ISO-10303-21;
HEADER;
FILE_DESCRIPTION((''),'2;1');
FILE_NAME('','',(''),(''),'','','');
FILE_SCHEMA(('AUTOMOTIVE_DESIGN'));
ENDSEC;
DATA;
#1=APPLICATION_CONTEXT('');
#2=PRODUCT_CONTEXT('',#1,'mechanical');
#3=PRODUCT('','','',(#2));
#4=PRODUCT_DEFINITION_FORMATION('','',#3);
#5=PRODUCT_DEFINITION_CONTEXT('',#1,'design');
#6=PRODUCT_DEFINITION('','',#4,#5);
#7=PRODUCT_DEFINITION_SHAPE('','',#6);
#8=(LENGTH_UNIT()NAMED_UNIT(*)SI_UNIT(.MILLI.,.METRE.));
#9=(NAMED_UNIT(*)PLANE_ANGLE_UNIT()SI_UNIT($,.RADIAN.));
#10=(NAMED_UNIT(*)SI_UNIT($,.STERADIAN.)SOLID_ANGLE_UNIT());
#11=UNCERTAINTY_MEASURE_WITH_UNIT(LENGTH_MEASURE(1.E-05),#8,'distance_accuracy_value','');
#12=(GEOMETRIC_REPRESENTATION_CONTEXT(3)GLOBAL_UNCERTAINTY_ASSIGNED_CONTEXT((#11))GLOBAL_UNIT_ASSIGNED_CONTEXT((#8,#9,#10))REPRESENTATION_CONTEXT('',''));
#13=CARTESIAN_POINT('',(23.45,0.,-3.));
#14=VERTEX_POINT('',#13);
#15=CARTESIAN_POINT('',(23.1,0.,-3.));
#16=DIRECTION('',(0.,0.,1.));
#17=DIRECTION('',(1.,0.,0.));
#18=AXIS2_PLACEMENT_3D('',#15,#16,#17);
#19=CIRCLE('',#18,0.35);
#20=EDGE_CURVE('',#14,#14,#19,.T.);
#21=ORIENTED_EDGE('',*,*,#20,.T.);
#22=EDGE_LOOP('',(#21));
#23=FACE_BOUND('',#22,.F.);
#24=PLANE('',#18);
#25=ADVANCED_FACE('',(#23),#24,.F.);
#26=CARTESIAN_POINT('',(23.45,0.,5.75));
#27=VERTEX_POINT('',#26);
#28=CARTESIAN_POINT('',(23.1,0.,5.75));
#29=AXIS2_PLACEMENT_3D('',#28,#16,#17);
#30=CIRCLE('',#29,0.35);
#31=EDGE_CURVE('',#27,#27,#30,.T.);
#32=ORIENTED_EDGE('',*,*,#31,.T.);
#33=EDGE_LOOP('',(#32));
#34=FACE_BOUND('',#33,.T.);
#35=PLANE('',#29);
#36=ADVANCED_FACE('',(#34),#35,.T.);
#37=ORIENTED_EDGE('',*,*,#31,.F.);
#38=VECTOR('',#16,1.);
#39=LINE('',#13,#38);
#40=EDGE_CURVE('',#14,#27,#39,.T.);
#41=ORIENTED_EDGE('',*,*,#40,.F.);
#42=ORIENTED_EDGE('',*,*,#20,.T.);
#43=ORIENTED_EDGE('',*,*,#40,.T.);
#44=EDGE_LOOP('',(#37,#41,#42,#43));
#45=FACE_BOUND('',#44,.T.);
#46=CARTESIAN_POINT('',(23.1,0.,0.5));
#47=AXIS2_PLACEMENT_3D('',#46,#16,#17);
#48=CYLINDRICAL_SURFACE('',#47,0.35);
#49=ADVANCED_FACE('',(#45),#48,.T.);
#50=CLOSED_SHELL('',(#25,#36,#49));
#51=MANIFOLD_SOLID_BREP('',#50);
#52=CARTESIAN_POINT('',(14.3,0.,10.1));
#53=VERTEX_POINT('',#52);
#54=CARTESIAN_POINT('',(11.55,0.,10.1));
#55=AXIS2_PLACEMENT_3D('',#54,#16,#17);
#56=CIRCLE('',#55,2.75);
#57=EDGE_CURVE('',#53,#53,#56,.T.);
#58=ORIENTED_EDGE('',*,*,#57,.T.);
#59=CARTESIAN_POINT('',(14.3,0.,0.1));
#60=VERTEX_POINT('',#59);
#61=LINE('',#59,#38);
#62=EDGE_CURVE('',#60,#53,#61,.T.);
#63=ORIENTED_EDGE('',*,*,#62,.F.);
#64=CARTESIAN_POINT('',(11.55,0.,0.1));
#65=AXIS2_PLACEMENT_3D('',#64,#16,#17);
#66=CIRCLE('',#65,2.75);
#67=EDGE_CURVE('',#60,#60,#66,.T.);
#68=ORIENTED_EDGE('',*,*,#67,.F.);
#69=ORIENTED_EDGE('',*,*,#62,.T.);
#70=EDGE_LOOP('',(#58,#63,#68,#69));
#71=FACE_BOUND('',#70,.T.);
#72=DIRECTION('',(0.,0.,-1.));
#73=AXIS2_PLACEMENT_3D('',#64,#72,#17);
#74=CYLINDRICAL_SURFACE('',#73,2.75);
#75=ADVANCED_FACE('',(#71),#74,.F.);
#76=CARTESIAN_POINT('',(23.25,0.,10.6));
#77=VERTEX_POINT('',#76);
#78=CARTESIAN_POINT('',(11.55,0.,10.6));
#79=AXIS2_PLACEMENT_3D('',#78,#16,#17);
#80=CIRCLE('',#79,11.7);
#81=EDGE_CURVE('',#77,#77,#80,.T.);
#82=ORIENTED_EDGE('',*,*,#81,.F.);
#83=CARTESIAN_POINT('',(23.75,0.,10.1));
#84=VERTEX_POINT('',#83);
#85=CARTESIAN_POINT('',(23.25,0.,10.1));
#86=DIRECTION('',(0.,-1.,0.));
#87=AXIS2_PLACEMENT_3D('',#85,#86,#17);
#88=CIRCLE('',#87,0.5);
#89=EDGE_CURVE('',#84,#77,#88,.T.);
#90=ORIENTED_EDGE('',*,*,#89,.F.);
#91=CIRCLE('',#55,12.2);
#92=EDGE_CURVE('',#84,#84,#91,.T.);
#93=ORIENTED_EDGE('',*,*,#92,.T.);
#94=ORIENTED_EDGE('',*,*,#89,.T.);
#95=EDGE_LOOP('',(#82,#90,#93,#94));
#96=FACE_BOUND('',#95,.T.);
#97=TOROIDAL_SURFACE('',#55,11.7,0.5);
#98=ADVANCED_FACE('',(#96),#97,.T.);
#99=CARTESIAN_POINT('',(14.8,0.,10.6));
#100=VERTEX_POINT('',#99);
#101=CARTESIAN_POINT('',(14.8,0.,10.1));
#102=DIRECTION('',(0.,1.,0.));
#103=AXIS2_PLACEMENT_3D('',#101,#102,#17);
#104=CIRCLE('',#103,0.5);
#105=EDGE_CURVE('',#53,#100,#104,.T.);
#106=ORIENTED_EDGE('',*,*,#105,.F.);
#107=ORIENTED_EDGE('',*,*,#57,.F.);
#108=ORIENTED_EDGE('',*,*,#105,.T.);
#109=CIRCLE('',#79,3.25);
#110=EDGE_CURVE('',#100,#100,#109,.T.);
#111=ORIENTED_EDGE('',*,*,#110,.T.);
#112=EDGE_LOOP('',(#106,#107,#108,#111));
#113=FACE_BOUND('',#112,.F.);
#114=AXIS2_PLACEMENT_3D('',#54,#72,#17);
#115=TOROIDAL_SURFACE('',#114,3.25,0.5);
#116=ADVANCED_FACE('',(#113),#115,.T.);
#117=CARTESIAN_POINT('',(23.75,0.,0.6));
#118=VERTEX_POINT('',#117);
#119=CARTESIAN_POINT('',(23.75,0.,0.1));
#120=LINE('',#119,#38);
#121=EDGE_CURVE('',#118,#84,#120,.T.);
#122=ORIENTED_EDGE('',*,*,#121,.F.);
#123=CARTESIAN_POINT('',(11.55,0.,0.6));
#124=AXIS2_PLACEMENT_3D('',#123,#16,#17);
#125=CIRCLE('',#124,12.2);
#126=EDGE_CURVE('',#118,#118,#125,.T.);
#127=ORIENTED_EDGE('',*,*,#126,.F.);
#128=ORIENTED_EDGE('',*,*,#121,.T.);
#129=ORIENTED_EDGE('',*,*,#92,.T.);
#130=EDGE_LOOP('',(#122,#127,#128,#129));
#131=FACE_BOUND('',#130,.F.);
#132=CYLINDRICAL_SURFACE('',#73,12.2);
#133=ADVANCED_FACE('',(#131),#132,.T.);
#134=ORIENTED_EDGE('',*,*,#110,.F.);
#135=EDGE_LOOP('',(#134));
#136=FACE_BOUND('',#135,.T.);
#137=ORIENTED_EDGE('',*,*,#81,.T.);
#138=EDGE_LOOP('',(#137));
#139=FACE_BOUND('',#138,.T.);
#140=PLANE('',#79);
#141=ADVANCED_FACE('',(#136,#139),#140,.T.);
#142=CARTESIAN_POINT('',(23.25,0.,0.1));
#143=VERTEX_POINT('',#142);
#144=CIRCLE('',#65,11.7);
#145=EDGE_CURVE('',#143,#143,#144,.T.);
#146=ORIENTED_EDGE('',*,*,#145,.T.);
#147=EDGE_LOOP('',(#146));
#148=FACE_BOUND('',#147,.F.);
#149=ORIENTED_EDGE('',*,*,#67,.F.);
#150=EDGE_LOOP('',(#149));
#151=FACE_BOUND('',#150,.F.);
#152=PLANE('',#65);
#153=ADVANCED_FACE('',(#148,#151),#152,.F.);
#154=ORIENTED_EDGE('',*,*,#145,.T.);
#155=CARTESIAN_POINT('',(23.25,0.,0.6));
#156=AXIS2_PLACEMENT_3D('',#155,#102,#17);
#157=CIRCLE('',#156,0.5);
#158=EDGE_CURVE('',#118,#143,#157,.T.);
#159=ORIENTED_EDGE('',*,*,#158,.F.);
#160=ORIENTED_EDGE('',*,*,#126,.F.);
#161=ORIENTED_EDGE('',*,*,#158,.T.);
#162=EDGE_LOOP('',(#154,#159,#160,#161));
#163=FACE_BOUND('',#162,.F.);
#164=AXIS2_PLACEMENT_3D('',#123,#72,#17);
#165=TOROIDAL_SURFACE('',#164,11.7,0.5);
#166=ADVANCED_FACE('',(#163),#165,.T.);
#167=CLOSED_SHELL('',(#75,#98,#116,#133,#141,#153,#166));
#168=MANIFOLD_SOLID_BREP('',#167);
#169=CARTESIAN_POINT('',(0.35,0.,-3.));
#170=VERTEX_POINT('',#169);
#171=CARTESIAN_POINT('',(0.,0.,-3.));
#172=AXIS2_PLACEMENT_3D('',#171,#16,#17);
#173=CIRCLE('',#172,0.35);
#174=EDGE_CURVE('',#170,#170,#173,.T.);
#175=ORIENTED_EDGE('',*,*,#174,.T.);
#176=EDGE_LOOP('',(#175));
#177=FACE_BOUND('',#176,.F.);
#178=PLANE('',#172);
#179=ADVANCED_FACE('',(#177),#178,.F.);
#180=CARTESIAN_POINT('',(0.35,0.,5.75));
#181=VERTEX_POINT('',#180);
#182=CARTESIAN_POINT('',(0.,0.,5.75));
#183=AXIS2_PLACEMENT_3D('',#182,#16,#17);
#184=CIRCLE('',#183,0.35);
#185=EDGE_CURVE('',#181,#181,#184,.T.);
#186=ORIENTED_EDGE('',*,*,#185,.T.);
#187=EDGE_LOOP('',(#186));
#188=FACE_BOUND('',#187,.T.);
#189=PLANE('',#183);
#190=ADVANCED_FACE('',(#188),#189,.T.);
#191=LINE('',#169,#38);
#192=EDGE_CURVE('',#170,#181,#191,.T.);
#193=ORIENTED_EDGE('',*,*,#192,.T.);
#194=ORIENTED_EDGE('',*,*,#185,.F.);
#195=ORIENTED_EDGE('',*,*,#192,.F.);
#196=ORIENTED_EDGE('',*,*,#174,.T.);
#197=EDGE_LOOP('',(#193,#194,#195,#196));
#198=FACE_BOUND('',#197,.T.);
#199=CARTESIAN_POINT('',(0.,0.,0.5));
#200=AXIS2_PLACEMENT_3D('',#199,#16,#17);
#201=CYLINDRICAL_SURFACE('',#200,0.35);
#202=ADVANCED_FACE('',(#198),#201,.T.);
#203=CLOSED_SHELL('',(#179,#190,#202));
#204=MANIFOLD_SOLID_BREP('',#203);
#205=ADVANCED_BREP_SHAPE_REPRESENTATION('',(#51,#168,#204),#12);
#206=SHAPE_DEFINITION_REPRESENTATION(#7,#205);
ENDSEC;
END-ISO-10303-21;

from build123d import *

# Parameters (mm, degrees)
SKETCH001_R       = 0.35
PAD001_DEPTH      = 5.25
PAD001_DEPTH_BACK = 3.5
SKETCH_R          = 12.2
SKETCH_R_2        = 2.75
PAD_DEPTH         = 10.5
FILLET_R          = 0.5


with BuildPart() as pad001:
    # Sketch001 → Pad001 (new body, two sides)
    with BuildSketch(Plane.XY.offset(0.5)) as pad001_sk:
        Circle(SKETCH001_R)
        with Locations((23.1, 0)):
            Circle(SKETCH001_R)
    extrude(amount=PAD001_DEPTH)
    extrude(pad001_sk.sketch, amount=-PAD001_DEPTH_BACK)


with BuildPart() as fillet_body:
    # Sketch → Pad (new body)
    with BuildSketch(Plane.XY.offset(0.1)):
        with Locations((11.55, 0)):
            Circle(SKETCH_R)
        with Locations((11.55, 0)):
            Circle(SKETCH_R_2, mode=Mode.SUBTRACT)
    extrude(amount=PAD_DEPTH)

    # Fillet
    fillet_edges = [fillet_body.edges().sort_by_distance(p)[0] for p in [
        (8.8, 0, 10.6),
        (-0.65, 0, 10.6),
        (-0.65, 0, 0.1),
    ]]
    fillet(fillet_edges, radius=FILLET_R)


solid = Compound([pad001.part, fillet_body.part])
